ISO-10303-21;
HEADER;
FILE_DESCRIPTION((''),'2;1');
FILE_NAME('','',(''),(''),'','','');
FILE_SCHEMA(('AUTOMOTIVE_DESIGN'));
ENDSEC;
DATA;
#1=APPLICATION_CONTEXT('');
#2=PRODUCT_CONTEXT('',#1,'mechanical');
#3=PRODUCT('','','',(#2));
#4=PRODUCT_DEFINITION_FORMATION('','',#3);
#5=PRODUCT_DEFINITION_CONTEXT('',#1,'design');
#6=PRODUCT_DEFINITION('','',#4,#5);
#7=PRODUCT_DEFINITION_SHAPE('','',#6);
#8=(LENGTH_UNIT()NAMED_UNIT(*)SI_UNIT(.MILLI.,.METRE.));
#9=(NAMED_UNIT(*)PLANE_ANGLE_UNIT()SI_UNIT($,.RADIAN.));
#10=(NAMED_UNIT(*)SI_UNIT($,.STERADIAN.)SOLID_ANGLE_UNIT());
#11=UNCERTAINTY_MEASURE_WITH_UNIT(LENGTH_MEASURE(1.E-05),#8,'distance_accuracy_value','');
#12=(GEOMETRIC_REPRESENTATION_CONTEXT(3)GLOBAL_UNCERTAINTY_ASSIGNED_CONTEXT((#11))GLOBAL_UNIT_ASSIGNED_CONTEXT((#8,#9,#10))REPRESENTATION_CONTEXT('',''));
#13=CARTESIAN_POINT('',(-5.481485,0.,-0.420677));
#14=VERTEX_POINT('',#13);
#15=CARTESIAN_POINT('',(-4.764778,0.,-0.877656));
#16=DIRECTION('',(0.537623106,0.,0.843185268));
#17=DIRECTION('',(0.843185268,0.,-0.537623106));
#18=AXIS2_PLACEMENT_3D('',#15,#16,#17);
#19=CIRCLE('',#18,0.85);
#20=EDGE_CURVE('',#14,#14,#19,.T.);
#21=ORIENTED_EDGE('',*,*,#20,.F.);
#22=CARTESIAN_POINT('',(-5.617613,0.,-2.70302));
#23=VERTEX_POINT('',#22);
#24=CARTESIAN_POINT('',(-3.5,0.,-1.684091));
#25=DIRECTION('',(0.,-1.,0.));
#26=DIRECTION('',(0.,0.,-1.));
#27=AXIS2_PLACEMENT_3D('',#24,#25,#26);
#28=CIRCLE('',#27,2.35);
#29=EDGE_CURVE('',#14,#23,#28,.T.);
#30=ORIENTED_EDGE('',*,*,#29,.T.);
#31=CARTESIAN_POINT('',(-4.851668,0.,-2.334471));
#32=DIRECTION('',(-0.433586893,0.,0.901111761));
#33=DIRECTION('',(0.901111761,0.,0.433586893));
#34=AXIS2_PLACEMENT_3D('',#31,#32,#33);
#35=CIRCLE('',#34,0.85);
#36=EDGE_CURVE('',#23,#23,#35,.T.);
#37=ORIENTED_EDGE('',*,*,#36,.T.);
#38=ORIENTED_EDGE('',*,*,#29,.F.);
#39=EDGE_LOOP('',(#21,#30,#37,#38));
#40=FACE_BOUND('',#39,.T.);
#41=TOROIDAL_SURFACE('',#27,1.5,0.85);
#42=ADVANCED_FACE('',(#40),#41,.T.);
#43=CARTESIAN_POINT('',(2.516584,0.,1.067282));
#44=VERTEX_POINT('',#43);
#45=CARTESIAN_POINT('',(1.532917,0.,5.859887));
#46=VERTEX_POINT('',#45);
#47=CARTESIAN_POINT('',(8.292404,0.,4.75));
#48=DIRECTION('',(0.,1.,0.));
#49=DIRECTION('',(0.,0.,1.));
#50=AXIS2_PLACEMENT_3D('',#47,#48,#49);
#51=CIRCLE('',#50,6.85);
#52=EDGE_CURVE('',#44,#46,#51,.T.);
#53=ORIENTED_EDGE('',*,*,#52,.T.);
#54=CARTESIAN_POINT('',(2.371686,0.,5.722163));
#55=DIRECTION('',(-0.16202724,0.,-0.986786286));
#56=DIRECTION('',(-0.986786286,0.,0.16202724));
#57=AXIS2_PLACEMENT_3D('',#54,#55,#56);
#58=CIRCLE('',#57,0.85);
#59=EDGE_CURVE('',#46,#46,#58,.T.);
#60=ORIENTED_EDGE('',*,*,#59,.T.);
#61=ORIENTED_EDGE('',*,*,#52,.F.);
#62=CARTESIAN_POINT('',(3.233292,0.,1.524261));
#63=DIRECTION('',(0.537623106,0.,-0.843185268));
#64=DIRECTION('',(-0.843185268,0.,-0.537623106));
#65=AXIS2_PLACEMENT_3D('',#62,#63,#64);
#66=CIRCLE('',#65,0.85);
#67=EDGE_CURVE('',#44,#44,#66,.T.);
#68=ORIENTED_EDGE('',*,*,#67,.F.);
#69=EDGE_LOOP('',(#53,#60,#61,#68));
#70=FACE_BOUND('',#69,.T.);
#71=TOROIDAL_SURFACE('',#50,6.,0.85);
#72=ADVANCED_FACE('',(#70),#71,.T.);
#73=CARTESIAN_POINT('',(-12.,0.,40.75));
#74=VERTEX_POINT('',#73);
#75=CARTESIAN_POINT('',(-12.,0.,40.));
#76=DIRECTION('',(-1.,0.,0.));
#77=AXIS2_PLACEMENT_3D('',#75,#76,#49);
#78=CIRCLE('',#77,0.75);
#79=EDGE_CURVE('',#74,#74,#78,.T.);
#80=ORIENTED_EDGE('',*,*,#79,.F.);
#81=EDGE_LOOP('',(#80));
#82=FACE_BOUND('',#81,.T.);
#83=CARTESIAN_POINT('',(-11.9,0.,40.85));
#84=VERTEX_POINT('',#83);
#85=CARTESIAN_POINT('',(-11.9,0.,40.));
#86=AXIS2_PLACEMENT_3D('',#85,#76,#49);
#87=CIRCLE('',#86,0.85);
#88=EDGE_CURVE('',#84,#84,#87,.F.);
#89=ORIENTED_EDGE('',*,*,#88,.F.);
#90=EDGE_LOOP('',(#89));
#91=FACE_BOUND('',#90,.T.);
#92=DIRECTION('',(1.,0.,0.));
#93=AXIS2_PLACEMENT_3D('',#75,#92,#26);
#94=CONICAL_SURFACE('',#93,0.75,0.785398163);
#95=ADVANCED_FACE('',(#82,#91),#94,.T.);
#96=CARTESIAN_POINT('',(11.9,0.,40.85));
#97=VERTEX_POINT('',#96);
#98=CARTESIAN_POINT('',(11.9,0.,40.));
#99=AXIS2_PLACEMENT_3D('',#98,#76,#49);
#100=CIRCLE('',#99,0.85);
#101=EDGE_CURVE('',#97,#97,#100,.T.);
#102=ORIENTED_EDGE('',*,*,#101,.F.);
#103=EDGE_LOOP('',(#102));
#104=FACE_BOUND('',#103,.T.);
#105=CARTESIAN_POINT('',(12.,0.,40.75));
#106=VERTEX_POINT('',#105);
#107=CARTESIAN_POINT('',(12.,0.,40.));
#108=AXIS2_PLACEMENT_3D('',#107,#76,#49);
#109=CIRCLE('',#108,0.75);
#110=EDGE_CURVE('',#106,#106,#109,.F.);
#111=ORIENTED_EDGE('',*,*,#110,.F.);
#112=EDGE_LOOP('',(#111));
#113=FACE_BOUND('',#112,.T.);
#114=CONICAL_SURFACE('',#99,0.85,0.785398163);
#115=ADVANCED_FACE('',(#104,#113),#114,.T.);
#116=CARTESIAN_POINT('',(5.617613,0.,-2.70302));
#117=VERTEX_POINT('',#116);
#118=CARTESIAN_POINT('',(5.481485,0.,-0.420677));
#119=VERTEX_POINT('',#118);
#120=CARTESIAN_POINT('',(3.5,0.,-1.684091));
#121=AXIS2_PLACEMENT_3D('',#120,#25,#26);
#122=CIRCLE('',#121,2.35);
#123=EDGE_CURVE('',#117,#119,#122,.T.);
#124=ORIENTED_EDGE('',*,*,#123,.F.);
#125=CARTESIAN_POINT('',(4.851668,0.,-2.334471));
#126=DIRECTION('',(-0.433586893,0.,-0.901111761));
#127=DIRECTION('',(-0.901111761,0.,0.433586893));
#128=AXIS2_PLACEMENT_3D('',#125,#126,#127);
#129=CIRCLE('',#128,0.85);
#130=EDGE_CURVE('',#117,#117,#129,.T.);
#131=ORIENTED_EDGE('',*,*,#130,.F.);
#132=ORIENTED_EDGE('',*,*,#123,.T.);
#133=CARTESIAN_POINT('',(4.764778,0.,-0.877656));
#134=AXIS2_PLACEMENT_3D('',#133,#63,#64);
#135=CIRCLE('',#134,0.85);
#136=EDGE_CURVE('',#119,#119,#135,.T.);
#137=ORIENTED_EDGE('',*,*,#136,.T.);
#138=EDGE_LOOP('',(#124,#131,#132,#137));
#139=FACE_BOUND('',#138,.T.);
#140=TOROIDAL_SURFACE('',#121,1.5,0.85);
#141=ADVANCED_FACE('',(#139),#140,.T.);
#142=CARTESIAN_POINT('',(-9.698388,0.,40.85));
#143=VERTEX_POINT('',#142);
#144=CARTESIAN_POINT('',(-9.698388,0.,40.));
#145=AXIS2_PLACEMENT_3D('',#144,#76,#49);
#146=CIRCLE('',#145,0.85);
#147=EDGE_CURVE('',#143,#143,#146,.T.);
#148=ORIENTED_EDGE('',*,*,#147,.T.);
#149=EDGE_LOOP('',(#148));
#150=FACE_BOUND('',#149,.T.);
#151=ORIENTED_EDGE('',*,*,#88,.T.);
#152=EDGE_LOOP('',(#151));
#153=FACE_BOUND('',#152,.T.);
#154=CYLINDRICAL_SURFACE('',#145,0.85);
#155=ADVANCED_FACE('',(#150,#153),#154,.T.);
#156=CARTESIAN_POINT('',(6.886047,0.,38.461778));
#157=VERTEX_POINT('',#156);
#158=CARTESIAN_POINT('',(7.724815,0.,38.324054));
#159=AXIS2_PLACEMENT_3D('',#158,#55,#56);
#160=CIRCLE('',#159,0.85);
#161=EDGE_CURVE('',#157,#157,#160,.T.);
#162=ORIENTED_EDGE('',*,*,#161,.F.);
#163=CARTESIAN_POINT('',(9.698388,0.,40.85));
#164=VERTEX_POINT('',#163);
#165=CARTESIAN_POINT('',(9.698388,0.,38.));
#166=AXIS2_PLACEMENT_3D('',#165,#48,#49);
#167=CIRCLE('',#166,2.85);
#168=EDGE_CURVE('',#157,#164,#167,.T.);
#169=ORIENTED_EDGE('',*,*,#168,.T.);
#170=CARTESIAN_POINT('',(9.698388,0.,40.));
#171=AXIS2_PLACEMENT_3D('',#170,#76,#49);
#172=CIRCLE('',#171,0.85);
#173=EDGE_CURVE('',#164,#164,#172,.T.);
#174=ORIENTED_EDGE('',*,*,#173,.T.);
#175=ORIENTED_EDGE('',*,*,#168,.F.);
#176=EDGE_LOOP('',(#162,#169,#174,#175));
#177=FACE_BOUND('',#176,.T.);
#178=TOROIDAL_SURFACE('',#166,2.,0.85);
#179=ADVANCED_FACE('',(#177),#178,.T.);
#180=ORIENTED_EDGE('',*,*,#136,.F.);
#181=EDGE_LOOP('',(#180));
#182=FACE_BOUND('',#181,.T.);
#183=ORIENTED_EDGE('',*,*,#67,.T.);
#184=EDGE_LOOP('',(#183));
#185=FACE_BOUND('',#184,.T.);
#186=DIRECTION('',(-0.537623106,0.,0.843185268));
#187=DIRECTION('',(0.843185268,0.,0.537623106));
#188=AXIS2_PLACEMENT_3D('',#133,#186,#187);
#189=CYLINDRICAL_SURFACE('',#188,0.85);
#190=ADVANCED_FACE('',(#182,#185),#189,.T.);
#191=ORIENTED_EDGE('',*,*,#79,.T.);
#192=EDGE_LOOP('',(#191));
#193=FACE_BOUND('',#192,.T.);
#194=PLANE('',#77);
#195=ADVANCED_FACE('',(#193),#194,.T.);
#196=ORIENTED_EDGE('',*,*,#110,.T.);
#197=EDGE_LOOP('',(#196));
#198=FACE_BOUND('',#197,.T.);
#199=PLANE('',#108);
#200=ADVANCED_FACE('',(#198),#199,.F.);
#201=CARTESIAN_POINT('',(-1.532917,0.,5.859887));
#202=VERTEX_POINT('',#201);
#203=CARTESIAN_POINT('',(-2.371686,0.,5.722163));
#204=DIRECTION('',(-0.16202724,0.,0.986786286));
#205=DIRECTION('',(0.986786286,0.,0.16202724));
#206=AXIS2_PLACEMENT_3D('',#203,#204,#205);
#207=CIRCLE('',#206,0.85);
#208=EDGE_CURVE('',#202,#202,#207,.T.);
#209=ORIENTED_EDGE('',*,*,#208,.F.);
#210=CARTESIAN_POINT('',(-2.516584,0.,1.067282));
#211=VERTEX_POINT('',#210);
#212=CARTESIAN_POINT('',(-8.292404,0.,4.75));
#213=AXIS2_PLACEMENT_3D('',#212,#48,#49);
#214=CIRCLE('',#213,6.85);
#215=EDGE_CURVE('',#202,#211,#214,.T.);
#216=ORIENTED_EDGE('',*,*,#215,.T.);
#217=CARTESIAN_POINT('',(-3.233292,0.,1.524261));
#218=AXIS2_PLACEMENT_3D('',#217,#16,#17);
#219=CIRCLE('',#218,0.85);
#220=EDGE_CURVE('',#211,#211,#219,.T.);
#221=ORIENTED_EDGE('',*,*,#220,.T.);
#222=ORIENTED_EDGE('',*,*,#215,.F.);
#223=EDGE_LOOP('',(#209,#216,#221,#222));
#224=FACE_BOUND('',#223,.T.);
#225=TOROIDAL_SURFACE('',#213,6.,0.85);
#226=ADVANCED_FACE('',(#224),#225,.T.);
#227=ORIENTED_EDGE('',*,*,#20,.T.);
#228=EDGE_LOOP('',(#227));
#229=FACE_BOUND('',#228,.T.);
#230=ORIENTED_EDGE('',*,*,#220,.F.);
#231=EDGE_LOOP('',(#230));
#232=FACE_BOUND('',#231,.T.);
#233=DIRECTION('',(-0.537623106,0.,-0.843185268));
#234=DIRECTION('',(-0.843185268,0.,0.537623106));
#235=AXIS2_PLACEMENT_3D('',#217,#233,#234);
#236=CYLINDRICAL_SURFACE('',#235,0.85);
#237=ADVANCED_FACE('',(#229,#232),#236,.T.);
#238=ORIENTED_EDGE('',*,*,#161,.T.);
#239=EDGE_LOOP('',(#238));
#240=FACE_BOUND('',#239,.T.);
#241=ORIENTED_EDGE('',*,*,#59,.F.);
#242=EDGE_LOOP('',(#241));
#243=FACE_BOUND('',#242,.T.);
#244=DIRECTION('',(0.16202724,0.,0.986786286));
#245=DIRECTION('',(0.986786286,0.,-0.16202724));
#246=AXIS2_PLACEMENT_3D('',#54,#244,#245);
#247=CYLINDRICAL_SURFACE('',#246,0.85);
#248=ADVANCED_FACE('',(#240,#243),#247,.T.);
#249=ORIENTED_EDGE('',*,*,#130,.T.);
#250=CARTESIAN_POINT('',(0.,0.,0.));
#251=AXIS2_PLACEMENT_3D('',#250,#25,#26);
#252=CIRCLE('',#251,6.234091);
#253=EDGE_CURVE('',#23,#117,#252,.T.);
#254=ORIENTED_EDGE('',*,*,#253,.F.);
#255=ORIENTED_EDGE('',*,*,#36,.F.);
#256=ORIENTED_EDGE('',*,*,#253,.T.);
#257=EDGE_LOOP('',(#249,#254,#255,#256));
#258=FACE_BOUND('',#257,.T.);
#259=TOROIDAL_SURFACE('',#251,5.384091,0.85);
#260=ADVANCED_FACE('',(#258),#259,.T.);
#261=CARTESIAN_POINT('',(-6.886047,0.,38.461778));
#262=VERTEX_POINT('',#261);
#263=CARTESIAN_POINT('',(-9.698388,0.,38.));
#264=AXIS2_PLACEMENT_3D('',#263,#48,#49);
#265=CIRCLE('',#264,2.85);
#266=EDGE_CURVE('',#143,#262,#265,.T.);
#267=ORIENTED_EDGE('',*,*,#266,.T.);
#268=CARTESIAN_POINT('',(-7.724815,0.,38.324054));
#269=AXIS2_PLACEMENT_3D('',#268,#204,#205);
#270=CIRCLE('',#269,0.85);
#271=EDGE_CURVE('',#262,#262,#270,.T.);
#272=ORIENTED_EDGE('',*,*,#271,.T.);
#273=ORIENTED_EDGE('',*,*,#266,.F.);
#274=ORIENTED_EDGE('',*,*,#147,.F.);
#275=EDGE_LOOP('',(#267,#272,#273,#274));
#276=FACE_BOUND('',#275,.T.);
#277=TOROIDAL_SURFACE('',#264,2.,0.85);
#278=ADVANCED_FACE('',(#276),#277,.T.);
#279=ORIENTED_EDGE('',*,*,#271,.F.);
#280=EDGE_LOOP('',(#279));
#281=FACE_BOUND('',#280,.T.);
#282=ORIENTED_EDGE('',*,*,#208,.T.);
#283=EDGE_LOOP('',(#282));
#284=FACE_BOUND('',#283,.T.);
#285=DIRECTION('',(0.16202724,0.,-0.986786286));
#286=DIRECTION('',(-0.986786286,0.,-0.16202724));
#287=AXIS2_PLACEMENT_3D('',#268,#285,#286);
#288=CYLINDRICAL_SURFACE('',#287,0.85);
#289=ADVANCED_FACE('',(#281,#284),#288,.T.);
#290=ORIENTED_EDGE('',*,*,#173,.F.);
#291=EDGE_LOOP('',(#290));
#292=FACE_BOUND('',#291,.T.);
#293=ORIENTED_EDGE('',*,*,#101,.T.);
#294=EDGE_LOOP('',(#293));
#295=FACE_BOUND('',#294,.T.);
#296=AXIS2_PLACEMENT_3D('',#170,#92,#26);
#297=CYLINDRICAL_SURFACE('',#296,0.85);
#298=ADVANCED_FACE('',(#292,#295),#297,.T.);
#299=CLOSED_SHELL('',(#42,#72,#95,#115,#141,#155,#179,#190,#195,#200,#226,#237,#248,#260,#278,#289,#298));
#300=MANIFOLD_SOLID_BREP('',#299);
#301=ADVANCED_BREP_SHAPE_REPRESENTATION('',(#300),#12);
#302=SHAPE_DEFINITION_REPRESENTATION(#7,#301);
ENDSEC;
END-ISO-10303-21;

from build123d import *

# Parameters (mm, degrees)
SKETCH2_R     = 0.85
CHAMFER1_SIZE = 0.1


with BuildPart() as part:
    # Sweep2: sweep along a path in Sketch1
    with BuildLine(Plane(origin=(0, 0, 0), x_dir=(1, 0, 0), z_dir=(0, 1, 0))) as sweep2_path:
        Line((-12, -40), (-9.698387528, -40))
        ThreePointArc((-9.698387528, -40), (-8.403804383, -39.524484988), (-7.724814957, -38.324054479))
        Line((-7.724814957, -38.324054479), (-2.371685824, -5.722163438))
        ThreePointArc((-2.371685824, -5.722163438), (-2.41492462, -3.543666064), (-3.233291931, -1.524261364))
        Line((-3.233291931, -1.524261364), (-4.764777902, 0.87765625))
        ThreePointArc((-4.764777902, 0.87765625), (-4.997339075, 1.594784166), (-4.851667642, 2.334471248))
        ThreePointArc((-4.851667642, 2.334471248), (0, 5.384090909), (4.851667642, 2.334471248))
        ThreePointArc((4.851667642, 2.334471248), (4.997339075, 1.594784166), (4.764777902, 0.87765625))
        Line((4.764777902, 0.87765625), (3.233291931, -1.524261364))
        ThreePointArc((3.233291931, -1.524261364), (2.41492462, -3.543666064), (2.371685824, -5.722163438))
        Line((2.371685824, -5.722163438), (7.724814957, -38.324054479))
        ThreePointArc((7.724814957, -38.324054479), (8.403804383, -39.524484988), (9.698387528, -40))
        Line((9.698387528, -40), (12, -40))
    # Sketch2 → Sweep2 (sweep)
    with BuildSketch(Plane(origin=(-12, 0, 40), x_dir=(0, 0, 1), z_dir=(-1, 0, 0))):
        Circle(SKETCH2_R)
    sweep(path=sweep2_path.line)

    # Chamfer1
    chamfer1_edges = [part.edges().sort_by_distance(p)[0] for p in [
        (12, 0, 39.15),
        (-12, 0, 39.15),
    ]]
    chamfer(chamfer1_edges, length=CHAMFER1_SIZE)


solid = part.part
